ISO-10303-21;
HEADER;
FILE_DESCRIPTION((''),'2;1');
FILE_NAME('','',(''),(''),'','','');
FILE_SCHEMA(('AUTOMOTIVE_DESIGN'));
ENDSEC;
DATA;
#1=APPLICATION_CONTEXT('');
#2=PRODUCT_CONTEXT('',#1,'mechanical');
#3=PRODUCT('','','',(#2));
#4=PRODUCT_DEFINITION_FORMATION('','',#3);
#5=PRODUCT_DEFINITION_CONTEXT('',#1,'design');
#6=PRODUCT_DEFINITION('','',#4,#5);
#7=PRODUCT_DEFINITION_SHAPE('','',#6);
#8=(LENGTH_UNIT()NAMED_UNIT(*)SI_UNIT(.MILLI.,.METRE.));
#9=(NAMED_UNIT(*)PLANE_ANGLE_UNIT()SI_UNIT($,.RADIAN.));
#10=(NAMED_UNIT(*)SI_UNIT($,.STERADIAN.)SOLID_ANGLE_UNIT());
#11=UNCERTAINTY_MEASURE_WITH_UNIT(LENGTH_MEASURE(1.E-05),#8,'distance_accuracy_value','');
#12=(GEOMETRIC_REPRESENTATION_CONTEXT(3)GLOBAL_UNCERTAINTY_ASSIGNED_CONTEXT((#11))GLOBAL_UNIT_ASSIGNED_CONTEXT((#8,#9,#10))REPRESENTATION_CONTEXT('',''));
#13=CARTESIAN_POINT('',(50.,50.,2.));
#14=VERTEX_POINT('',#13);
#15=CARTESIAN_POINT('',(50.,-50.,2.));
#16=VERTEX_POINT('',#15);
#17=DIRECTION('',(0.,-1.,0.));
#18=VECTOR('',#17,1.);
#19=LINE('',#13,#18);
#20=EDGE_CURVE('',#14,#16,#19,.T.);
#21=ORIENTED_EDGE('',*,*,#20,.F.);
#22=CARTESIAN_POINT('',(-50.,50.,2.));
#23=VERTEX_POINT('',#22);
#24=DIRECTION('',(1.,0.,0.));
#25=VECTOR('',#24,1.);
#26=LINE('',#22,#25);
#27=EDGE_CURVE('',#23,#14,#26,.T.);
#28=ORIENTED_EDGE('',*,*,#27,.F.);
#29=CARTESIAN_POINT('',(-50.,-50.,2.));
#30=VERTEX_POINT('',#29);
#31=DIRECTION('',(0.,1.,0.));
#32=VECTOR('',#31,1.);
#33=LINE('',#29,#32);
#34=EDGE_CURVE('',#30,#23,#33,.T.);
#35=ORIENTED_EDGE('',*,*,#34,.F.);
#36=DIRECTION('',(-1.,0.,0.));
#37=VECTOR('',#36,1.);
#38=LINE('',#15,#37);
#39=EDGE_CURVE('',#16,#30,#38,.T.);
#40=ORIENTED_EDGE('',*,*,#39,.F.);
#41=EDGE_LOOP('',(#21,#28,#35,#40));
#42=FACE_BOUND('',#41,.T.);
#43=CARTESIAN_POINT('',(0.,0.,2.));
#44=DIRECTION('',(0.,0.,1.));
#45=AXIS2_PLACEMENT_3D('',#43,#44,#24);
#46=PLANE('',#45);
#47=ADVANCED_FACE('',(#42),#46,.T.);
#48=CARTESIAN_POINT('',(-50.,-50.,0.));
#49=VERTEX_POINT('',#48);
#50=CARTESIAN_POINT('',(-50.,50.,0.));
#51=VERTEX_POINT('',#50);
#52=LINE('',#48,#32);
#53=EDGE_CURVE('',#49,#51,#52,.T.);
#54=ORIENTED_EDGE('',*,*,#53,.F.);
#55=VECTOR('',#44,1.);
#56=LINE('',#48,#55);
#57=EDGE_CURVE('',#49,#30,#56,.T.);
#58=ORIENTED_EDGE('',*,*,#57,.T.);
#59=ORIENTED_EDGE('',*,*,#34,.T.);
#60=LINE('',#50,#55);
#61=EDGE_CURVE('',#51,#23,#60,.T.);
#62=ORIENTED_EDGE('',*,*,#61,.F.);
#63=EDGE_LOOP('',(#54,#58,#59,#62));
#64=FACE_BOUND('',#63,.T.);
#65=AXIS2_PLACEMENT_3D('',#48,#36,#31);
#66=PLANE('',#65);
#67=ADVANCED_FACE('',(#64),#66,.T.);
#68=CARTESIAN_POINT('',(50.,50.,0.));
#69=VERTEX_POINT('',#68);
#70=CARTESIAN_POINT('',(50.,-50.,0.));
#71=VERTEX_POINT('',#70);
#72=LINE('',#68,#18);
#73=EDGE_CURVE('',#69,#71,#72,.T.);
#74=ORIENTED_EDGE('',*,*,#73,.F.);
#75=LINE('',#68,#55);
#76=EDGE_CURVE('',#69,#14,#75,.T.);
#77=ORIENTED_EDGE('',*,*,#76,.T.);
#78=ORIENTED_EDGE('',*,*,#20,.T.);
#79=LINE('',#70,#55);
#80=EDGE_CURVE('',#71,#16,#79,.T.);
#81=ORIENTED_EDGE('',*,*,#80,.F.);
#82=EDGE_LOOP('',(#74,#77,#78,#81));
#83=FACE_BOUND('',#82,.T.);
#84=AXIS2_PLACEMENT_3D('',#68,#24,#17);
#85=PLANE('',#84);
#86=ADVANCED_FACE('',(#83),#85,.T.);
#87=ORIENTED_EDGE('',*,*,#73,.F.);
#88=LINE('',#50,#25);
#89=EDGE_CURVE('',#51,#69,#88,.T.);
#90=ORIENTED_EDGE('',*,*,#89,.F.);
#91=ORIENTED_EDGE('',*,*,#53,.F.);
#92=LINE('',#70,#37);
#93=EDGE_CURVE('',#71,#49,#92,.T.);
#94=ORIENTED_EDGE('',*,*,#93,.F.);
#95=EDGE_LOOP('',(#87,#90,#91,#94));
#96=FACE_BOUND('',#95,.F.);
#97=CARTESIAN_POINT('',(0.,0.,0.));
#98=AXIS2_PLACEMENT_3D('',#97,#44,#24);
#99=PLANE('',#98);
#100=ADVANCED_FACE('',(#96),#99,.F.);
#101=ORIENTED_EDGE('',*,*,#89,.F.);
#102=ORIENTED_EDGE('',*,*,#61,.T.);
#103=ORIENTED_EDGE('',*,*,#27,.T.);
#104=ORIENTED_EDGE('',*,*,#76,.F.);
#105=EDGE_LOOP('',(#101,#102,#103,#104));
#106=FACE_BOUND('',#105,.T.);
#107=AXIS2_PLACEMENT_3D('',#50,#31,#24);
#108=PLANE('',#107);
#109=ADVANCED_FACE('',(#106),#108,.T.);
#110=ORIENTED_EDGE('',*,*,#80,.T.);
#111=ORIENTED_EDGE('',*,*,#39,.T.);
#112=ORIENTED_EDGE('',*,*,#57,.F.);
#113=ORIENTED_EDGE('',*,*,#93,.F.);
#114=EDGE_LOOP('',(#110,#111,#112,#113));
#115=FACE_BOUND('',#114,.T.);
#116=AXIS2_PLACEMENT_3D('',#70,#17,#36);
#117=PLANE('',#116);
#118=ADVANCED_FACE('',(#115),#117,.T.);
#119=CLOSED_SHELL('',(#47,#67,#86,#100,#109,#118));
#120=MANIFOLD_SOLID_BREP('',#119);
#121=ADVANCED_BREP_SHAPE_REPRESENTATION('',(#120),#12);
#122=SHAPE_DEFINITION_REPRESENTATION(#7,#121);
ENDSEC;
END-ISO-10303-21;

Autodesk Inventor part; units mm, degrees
ref_plane "YZ Plane" through (0, 0, 0) normal (1, 0, 0) x (0, 1, 0)
ref_plane "XZ Plane" through (0, 0, 0) normal (0, 1, 0) x (-1, 0, 0)
ref_plane "XY Plane" through (0, 0, 0) normal (0, 0, 1) x (1, 0, 0)
sketch "スケッチ1" plane through (0, 0, 0) normal (0, 0, 1) x (1, 0, 0)
  line L0 (-50, 50) -> (50, 50)
  line L1 (50, 50) -> (50, -50)
  line L2 (50, -50) -> (-50, -50)
  line L3 (-50, -50) -> (-50, 50)
  line L4 (-50, 50) -> (50, -50) construction
  line L5 (50, 50) -> (-50, -50) construction
  point P0 (0, 0)
  dimension "d0" = 100
  dimension "d1" = 100
extrude "押し出し1" add sketch "スケッチ1" along normal blind 2
properties part number "TissuePape"
